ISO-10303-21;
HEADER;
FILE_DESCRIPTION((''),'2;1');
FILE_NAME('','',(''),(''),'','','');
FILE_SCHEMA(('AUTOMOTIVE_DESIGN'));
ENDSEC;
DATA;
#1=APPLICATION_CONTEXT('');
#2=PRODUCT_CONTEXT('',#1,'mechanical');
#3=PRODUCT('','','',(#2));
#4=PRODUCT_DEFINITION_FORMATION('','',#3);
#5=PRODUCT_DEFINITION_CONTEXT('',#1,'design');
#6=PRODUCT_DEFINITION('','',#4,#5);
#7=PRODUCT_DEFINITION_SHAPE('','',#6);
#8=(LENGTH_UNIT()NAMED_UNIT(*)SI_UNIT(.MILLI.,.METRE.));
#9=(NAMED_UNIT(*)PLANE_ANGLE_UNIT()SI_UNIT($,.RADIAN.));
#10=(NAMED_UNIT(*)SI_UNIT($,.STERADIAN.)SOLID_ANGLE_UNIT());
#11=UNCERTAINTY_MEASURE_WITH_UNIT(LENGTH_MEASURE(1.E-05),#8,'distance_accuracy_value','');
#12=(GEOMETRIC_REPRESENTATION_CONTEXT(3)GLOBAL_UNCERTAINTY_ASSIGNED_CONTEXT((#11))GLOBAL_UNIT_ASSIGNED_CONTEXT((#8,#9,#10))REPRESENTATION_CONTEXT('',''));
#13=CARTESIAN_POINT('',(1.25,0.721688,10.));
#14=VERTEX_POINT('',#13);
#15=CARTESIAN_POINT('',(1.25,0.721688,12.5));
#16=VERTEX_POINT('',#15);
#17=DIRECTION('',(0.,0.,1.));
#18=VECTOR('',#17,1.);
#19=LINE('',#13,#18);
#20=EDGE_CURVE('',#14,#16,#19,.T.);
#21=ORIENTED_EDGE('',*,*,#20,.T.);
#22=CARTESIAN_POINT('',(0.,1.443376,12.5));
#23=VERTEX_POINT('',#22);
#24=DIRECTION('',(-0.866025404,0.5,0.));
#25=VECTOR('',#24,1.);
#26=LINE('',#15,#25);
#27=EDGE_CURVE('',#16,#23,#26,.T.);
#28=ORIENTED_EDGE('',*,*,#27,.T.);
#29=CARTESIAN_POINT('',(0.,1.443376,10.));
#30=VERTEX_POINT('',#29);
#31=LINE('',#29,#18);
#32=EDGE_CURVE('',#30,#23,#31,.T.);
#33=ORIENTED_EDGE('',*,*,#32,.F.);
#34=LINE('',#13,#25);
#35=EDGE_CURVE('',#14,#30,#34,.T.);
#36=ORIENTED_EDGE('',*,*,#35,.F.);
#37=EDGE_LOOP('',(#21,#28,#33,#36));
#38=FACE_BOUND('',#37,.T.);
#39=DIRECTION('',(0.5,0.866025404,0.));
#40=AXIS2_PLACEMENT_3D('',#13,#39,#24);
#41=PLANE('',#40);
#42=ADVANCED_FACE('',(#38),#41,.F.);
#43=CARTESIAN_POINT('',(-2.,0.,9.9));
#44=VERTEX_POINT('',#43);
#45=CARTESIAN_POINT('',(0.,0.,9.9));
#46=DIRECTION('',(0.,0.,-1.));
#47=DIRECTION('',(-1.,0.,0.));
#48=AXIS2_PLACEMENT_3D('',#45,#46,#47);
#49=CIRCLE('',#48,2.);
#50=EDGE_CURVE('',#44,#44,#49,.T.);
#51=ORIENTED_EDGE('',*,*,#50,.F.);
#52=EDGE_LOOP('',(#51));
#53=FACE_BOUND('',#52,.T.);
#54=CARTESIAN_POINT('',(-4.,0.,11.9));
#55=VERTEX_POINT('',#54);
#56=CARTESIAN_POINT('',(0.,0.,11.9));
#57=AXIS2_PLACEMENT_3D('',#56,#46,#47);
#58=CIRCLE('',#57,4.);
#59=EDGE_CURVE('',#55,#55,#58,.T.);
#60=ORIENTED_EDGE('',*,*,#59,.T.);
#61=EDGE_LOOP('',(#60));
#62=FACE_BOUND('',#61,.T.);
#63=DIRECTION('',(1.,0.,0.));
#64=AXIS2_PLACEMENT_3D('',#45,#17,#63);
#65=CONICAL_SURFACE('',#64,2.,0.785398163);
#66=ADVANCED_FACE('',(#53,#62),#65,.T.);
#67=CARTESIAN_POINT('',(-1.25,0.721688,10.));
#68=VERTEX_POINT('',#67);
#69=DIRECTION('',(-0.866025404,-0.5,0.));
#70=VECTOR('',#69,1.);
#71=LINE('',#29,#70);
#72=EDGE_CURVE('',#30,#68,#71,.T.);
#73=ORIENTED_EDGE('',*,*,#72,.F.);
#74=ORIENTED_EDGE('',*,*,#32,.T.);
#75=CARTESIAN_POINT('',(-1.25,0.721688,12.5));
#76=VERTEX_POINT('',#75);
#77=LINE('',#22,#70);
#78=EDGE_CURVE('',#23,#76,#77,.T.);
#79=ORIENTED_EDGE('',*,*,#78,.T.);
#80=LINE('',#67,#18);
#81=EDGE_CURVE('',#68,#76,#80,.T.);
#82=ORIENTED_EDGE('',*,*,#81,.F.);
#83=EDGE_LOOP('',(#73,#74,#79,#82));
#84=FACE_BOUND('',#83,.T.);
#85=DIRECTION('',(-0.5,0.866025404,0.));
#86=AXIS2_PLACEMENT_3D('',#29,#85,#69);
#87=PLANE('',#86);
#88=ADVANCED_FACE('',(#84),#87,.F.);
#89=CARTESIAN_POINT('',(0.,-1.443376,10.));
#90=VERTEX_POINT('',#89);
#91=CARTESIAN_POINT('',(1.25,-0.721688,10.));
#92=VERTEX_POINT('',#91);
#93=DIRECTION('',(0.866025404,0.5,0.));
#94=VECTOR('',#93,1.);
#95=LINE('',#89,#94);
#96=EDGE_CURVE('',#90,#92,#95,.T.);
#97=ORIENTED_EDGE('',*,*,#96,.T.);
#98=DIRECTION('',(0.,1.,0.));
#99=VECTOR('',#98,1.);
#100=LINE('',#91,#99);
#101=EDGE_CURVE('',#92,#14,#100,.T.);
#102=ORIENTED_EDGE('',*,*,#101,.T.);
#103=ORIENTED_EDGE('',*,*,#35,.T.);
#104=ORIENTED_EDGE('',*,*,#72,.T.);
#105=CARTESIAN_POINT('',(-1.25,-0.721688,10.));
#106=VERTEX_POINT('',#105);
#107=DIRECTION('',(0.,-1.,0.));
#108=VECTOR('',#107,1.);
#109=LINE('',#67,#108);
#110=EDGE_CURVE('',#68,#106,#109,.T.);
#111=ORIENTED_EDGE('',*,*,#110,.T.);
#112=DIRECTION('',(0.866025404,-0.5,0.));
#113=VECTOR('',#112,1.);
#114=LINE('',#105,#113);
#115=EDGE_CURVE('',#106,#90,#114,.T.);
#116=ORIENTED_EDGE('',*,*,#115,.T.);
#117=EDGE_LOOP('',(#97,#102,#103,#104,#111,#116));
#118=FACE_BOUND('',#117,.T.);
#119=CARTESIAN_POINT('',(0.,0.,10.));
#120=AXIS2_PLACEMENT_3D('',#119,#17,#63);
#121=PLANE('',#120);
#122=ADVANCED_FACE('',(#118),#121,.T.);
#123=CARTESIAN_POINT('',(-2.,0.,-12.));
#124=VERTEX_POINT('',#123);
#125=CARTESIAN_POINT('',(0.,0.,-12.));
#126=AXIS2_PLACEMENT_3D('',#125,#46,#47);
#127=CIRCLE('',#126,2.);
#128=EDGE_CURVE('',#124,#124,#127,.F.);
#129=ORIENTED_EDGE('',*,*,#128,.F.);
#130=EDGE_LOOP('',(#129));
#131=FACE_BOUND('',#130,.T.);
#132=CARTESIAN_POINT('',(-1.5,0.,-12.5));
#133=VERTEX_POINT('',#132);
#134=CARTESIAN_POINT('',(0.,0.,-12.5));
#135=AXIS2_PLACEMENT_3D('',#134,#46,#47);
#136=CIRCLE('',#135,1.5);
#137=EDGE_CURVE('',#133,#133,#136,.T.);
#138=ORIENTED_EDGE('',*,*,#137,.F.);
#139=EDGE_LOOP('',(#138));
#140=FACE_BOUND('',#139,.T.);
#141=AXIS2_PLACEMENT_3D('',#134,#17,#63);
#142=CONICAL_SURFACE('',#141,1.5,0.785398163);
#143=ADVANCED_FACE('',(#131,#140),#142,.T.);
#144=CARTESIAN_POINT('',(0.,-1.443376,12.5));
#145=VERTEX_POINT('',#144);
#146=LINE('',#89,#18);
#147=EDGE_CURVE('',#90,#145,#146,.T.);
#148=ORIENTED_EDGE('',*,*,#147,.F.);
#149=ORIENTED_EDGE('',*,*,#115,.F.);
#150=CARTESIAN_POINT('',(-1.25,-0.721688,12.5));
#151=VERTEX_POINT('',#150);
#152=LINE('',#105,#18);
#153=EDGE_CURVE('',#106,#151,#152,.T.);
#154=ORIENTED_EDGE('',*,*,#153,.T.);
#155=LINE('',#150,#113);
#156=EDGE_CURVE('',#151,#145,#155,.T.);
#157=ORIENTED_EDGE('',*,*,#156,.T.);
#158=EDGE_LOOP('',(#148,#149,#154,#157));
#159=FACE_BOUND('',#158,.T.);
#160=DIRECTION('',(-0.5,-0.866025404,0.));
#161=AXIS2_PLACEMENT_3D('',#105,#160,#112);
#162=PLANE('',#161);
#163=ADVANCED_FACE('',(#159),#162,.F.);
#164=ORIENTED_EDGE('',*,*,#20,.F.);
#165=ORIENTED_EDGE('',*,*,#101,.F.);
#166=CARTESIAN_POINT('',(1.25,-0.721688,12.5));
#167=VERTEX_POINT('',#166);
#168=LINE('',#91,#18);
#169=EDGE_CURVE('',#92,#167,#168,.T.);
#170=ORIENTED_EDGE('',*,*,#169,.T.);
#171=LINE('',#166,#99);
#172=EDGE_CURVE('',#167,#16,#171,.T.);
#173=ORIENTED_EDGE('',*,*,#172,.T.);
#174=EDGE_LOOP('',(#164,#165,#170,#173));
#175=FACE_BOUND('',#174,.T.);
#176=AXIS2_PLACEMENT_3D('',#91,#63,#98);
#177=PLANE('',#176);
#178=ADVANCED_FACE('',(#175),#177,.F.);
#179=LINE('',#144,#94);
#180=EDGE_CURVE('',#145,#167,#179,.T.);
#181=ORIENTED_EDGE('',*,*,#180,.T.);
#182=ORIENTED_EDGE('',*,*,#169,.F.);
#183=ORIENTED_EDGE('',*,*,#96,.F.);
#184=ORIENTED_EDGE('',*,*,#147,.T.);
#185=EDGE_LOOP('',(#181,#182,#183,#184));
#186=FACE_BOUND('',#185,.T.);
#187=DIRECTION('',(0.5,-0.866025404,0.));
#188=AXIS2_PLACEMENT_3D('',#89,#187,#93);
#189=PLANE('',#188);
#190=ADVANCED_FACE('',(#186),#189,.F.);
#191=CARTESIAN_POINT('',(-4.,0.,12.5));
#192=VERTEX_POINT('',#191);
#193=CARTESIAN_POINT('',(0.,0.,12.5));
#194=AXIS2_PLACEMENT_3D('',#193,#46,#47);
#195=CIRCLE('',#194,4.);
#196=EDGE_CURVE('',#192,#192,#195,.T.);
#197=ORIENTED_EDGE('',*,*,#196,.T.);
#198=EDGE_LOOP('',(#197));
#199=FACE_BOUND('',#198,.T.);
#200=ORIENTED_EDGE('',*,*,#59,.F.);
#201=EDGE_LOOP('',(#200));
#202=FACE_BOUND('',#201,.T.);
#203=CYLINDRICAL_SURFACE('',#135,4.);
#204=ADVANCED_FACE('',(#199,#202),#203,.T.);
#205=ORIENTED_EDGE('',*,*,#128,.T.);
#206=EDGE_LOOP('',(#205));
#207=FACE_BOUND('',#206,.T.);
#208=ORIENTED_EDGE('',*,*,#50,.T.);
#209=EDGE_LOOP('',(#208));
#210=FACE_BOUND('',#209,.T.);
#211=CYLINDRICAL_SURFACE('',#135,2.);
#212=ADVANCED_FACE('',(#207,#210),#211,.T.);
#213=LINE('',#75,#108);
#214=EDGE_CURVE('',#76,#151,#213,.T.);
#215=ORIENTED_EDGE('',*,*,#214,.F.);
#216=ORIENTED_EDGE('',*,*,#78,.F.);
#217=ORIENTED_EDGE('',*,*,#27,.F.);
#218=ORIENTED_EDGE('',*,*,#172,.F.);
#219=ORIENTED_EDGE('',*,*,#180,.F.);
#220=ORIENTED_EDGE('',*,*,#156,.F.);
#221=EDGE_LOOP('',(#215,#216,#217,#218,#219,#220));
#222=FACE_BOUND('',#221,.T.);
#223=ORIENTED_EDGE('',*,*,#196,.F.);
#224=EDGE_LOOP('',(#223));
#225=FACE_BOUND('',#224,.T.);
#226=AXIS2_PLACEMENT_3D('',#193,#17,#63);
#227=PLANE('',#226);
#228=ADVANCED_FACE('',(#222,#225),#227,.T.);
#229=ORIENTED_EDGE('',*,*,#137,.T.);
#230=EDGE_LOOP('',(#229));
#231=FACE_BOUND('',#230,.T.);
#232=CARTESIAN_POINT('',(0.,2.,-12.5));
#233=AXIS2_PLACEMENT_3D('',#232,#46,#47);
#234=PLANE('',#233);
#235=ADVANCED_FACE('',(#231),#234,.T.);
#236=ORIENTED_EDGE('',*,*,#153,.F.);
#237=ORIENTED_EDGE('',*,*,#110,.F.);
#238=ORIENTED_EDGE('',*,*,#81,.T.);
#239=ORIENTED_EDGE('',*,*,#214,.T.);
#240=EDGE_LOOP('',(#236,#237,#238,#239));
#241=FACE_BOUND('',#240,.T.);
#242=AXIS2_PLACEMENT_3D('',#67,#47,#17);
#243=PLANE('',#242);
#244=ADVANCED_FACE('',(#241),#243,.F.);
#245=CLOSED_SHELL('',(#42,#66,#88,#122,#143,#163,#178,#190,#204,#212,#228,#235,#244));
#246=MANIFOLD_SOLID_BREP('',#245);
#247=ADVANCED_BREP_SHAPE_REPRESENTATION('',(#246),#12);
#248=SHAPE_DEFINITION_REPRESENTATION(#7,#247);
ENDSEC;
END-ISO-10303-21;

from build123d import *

# Parameters (mm, degrees)
CHAMFER_1_SIZE      = 0.5
CUT_EXTRUDE_1_DEPTH = 2.5


with BuildPart() as part:
    # 草图1 → 旋转1 (revolve)
    with BuildSketch(Plane(origin=(0, 0, 0), x_dir=(0, 0, -1), z_dir=(1, 0, 0)), mode=Mode.PRIVATE) as revolve_1_sk:
        Polygon((-12.5, 0), (-12.5, 4), (-11.9, 4), (-9.9, 2), (12.5, 2), (12.5, 0), align=None)
    revolve(revolve_1_sk.sketch.rotate(Axis((0, 0, -12.5), (0, 0, 1)), 90), axis=Axis((0, 0, -12.5), (0, 0, 1)))

    # 倒角1
    chamfer_1_edges = [part.edges().sort_by_distance(p)[0] for p in [
        (2, 0, -12.5),
    ]]
    chamfer(chamfer_1_edges, length=CHAMFER_1_SIZE)

    # 草图2 → 切除-拉伸1 (cut)
    with BuildSketch(Plane.XY.offset(12.5)):
        Polygon((0, 1.443375673), (-1.25, 0.721687836), (-1.25, -0.721687836), (0, -1.443375673), (1.25, -0.721687836), (1.25, 0.721687836), align=None)
    extrude(amount=-CUT_EXTRUDE_1_DEPTH, mode=Mode.SUBTRACT)


solid = part.part
